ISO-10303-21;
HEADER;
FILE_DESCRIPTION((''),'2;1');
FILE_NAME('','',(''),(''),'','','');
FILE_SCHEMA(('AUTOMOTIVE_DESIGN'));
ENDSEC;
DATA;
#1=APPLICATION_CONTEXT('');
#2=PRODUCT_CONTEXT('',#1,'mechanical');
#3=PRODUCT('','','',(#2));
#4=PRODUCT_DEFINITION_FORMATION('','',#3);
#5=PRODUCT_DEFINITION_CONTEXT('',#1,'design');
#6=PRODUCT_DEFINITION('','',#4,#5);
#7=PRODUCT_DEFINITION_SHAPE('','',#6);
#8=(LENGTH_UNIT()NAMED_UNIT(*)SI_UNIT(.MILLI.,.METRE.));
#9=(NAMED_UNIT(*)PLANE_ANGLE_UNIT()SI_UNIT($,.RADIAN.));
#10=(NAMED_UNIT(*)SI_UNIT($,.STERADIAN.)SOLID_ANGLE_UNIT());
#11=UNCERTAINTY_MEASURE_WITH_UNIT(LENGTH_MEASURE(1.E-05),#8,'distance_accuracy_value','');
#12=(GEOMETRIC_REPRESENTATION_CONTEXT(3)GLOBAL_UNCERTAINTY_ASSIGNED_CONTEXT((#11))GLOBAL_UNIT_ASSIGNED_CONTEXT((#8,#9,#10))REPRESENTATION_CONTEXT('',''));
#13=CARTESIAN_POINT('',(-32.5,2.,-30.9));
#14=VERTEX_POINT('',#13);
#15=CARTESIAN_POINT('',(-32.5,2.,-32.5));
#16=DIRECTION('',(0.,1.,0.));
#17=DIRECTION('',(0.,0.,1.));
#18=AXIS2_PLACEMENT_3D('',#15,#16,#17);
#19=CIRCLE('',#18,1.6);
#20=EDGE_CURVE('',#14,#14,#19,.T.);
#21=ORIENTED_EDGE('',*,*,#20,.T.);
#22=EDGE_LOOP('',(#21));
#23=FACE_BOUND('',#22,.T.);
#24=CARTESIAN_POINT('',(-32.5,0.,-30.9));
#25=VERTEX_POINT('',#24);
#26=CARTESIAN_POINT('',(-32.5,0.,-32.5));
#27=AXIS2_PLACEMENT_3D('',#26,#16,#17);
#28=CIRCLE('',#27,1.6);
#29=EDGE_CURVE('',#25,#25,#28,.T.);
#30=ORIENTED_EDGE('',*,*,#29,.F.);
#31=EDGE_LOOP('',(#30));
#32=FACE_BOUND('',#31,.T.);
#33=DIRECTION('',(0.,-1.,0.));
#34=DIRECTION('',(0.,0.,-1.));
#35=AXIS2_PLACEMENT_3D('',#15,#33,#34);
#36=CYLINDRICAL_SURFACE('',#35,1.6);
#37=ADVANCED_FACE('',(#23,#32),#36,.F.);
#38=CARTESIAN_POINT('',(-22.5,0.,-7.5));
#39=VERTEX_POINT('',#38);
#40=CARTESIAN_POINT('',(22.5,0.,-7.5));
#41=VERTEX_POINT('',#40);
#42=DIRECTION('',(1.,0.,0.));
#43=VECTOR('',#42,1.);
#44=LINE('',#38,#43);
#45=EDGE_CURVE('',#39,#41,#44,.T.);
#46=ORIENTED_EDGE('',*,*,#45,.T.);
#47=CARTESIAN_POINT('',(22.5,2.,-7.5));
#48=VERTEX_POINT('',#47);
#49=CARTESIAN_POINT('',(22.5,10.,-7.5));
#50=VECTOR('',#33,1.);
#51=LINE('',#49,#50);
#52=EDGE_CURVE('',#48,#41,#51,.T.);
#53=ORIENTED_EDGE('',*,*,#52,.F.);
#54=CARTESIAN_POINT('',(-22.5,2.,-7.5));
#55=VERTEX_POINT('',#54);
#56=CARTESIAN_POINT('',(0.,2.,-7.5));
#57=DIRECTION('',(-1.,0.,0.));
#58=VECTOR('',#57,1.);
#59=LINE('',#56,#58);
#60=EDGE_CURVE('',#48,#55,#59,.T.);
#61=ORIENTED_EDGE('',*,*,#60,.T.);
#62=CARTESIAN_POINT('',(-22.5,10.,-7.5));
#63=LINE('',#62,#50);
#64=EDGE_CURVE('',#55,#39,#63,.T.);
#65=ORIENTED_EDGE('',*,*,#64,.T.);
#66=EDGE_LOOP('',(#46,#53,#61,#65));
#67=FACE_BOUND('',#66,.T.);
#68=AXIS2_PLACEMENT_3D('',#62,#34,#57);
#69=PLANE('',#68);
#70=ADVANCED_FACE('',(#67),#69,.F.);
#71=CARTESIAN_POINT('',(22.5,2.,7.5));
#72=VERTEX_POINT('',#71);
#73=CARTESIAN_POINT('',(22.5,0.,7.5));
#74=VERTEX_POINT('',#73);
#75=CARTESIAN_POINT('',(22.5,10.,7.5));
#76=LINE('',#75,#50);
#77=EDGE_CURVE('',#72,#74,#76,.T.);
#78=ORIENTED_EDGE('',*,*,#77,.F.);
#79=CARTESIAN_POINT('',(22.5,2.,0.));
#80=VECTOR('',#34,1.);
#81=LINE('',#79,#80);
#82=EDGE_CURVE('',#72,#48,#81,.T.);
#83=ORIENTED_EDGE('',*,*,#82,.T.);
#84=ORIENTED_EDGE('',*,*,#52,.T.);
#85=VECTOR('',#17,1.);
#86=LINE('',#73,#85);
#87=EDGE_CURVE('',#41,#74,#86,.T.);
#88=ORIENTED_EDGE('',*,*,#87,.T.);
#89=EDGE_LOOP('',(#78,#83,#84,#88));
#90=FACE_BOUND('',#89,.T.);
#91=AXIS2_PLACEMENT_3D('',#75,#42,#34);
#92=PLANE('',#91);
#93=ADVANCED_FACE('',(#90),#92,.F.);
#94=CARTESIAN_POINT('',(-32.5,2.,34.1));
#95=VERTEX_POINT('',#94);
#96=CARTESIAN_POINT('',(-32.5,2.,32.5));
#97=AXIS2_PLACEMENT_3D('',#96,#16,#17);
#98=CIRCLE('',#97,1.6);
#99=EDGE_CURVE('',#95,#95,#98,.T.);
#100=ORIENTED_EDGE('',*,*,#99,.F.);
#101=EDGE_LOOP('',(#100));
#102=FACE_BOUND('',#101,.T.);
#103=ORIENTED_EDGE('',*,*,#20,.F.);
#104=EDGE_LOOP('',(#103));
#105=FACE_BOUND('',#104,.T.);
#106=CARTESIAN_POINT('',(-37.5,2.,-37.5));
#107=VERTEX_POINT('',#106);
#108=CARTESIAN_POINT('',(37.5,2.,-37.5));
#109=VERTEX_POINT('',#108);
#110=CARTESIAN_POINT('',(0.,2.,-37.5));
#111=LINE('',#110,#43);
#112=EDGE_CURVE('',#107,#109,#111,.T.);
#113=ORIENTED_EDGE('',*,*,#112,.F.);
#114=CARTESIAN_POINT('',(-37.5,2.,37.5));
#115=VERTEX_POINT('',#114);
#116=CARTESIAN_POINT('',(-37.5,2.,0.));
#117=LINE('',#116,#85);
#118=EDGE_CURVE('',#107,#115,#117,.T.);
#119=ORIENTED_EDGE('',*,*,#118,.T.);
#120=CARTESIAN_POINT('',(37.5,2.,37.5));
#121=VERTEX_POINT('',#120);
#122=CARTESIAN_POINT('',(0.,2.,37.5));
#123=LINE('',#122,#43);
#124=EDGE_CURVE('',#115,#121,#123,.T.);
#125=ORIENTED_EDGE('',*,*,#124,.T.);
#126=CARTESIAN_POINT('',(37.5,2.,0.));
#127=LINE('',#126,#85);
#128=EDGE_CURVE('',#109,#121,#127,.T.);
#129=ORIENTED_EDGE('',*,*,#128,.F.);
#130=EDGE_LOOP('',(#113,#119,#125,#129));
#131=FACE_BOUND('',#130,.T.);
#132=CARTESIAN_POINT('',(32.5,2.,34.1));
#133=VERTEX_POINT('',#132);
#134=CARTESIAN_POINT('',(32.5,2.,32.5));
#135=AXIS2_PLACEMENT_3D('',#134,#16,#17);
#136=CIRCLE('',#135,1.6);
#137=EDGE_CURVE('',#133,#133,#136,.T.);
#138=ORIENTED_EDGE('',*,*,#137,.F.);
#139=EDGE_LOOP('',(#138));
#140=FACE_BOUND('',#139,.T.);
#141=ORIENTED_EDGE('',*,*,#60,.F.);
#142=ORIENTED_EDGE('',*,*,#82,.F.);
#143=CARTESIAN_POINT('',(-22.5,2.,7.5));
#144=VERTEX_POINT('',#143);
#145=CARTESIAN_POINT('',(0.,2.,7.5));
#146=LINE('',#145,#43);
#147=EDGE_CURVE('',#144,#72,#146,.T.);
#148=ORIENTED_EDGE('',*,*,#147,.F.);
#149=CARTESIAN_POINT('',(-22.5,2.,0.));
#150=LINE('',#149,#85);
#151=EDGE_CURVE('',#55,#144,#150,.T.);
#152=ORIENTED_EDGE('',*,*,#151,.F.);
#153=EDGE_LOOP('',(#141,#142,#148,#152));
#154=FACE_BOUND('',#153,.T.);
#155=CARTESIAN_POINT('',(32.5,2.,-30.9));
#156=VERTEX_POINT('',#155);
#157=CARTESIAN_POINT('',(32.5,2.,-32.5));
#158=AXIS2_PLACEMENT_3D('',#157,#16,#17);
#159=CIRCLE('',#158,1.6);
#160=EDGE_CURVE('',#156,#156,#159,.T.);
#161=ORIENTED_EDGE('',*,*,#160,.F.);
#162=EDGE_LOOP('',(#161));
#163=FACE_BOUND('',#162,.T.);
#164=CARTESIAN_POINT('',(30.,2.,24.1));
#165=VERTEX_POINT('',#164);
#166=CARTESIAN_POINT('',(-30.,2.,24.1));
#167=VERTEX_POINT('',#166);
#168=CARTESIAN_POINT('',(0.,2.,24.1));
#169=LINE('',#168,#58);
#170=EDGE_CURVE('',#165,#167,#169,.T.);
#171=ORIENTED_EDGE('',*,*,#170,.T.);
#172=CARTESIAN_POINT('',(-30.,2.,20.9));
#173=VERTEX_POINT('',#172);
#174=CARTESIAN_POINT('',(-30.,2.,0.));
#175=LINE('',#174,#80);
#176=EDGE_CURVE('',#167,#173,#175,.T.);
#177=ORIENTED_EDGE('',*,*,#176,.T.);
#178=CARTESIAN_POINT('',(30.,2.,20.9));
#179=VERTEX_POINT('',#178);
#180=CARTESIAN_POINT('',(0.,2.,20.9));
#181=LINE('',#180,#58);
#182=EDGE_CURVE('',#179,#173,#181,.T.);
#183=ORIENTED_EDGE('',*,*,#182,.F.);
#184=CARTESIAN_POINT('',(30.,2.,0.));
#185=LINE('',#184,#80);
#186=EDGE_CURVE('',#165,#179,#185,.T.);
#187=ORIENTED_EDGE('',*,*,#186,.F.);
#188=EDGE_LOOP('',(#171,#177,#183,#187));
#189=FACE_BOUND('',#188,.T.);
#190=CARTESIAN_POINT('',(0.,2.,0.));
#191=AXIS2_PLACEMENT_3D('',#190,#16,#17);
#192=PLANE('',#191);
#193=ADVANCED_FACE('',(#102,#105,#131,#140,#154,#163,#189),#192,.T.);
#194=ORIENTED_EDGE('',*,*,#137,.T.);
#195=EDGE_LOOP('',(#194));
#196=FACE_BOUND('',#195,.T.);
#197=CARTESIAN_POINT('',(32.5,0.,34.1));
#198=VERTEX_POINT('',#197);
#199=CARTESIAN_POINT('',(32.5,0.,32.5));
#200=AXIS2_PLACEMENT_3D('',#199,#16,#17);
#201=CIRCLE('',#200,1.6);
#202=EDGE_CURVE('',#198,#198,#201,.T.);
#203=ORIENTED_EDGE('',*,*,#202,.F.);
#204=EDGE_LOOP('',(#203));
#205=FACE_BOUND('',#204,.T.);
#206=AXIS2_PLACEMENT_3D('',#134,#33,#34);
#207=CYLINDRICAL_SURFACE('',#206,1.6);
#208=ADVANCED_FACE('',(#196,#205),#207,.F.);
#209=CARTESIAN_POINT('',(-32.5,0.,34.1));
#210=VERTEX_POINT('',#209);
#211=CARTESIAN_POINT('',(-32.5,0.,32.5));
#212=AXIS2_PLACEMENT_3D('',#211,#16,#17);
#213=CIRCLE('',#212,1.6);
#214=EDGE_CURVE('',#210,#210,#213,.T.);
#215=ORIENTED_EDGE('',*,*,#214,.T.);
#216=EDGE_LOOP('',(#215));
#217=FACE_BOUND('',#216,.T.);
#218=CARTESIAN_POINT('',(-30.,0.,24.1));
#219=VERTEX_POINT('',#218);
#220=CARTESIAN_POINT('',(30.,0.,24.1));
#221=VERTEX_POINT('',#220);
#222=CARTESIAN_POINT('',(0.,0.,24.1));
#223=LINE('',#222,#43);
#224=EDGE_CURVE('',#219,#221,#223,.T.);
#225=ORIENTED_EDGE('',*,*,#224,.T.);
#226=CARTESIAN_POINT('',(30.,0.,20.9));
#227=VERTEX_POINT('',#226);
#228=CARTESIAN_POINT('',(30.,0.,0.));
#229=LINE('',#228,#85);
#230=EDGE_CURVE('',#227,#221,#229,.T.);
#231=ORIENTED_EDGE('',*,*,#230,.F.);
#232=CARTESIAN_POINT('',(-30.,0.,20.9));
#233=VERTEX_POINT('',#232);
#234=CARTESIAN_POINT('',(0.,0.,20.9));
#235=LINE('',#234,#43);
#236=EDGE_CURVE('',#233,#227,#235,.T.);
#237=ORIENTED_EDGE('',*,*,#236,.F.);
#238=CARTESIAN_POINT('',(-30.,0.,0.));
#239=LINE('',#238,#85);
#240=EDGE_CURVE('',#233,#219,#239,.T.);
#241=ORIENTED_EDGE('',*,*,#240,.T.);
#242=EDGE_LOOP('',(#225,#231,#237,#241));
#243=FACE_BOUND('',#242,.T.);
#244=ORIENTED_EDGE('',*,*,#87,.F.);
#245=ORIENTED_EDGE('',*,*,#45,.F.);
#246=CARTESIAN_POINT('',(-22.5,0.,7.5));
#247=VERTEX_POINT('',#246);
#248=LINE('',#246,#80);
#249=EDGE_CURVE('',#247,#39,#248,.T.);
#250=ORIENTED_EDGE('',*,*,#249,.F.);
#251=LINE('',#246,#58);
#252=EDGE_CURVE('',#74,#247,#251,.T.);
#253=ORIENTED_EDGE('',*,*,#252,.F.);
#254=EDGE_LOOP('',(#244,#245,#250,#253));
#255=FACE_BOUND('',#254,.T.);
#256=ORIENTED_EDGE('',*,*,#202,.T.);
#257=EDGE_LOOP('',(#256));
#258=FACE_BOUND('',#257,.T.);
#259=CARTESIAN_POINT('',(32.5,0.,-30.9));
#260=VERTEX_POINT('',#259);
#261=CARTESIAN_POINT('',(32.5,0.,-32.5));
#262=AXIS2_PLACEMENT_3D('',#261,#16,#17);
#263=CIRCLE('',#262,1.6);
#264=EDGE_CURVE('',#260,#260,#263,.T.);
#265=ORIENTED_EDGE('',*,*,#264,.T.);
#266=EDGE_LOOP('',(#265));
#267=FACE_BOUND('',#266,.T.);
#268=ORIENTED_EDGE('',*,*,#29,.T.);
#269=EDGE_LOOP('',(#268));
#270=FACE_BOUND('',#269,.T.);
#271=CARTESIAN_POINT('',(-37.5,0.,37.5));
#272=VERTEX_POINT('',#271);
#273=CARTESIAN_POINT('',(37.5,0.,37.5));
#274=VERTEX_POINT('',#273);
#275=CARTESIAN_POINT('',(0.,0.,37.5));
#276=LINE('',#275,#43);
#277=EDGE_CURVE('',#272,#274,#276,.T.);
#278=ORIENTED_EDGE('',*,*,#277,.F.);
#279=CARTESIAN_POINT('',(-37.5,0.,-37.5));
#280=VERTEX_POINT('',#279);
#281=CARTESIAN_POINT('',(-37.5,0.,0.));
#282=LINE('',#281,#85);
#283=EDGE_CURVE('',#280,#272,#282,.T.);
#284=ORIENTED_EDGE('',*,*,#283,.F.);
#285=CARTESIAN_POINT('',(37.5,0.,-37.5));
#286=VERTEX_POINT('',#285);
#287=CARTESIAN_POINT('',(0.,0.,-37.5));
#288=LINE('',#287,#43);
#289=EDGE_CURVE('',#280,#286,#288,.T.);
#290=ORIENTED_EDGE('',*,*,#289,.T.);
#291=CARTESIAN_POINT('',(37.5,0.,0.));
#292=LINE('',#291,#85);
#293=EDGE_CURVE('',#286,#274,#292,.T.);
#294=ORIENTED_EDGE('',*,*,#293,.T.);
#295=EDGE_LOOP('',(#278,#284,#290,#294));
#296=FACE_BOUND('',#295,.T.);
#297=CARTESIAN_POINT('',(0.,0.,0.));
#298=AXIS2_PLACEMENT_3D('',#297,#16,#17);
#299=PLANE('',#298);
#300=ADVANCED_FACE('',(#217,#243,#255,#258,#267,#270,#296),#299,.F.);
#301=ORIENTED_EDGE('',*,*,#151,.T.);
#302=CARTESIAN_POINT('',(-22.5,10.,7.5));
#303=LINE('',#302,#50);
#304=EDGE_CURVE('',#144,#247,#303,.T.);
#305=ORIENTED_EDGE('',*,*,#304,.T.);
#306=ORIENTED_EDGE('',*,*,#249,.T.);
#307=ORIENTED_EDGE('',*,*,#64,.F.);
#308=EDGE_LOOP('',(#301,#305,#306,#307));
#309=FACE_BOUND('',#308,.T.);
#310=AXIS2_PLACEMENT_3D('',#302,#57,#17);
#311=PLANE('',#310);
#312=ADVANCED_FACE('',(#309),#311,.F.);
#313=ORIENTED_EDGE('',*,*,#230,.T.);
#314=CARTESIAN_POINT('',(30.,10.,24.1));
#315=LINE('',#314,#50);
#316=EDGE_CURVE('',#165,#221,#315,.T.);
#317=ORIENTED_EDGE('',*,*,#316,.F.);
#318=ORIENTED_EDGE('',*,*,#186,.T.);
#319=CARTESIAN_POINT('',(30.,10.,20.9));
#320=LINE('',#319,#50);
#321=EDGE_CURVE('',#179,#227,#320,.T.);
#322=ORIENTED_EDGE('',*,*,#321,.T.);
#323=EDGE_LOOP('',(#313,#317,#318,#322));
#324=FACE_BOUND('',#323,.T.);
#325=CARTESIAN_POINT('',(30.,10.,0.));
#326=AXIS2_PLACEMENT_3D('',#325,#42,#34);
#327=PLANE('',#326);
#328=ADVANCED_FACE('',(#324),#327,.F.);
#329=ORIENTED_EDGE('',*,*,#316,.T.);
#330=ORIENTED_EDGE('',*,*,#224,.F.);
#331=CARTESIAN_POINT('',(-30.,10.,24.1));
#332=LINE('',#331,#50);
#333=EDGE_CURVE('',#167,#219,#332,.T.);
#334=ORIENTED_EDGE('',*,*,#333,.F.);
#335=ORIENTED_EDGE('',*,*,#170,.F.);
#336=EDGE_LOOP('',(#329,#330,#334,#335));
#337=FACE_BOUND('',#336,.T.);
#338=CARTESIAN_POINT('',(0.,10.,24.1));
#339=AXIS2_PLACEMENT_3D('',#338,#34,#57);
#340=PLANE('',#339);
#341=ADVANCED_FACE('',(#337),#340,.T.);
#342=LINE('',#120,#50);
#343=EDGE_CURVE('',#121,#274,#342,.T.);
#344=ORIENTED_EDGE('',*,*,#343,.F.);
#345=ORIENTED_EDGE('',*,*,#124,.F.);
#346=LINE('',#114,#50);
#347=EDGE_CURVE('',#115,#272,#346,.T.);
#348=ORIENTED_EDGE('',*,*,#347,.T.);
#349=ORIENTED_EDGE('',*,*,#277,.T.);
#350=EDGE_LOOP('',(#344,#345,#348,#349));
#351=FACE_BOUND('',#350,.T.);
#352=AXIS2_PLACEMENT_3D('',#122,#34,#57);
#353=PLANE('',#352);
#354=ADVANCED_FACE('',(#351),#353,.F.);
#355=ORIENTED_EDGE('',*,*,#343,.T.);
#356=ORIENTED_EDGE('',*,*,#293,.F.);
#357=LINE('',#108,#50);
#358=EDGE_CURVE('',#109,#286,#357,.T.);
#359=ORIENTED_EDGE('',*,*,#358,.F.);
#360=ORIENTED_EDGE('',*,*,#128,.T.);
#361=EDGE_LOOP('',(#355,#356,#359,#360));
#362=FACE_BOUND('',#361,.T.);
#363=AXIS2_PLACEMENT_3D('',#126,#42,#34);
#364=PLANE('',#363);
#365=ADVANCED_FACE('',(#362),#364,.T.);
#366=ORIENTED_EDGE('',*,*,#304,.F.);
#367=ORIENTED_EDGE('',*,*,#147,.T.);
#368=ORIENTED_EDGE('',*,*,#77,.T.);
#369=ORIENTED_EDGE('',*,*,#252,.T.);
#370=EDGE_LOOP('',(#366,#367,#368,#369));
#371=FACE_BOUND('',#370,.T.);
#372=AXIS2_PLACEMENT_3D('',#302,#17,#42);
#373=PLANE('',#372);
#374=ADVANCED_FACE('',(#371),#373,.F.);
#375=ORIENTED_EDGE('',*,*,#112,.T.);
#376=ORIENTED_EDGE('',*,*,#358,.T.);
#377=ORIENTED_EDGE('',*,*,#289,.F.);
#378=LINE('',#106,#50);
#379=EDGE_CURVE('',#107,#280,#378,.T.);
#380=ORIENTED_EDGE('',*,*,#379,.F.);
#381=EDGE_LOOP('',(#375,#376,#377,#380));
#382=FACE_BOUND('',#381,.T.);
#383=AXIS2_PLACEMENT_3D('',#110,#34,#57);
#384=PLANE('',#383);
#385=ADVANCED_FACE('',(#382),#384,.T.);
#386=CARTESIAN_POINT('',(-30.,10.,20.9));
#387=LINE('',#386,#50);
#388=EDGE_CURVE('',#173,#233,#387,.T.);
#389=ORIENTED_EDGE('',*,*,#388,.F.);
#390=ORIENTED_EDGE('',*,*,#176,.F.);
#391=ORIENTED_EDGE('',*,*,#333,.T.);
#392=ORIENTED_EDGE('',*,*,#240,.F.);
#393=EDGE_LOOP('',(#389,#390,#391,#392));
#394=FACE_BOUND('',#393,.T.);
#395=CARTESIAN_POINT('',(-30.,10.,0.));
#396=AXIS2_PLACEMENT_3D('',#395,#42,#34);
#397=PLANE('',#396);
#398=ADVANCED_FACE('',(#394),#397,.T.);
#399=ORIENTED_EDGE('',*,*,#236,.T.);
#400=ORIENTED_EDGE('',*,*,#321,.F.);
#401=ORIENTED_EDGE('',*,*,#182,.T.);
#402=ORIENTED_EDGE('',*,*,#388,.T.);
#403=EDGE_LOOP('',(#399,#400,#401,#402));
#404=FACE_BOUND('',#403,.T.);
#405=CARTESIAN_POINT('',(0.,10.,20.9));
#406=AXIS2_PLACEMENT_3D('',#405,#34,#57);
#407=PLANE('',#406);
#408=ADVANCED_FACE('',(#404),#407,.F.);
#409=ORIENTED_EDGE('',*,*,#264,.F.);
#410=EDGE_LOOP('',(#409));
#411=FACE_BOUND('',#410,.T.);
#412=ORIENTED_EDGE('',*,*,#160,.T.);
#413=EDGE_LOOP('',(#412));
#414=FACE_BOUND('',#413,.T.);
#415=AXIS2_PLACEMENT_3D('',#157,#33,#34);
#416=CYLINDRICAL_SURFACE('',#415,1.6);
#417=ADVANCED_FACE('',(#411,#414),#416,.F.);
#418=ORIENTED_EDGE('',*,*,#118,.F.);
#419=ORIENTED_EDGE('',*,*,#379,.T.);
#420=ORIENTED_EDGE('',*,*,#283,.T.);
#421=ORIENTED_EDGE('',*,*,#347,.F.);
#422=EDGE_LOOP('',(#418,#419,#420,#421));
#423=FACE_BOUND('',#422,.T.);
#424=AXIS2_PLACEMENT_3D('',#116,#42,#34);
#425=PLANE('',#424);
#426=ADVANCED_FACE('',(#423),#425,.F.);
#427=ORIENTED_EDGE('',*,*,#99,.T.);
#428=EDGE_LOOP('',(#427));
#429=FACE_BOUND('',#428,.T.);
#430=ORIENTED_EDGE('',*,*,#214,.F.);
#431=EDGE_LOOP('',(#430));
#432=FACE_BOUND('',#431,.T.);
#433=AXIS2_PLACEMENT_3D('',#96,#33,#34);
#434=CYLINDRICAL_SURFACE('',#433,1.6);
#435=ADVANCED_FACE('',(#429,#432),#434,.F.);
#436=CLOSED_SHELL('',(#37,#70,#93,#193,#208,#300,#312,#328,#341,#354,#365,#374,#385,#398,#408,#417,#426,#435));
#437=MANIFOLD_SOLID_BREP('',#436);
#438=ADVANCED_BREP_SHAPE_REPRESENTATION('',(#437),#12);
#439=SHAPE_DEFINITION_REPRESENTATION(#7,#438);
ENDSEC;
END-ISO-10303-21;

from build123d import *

# Parameters (mm, degrees)
SKETCH1_W           = 75
SKETCH1_H           = 75
SKETCH1_R           = 1.6
BOSS_EXTRUDE1_DEPTH = 2
SKETCH2_W           = 45
SKETCH2_H           = 15
CUT_EXTRUDE1_DEPTH  = 10
SKETCH3_W           = 30
SKETCH3_H           = 3.2
CUT_EXTRUDE2_DEPTH  = 10


with BuildPart() as part:
    # Sketch1 → Boss-Extrude1 (new body)
    with BuildSketch(Plane(origin=(0, 0, 0), x_dir=(1, 0, 0), z_dir=(0, 1, 0))):
        Rectangle(SKETCH1_W, SKETCH1_H)
        with Locations(Location((-32.5, 32.5, 0), (0, 0, 270))):
            Circle(SKETCH1_R, mode=Mode.SUBTRACT)
        with Locations(Location((-32.5, -32.5, 0), (0, 0, 270))):
            Circle(SKETCH1_R, mode=Mode.SUBTRACT)
        with Locations(Location((32.5, 32.5, 0), (0, 0, 270))):
            Circle(SKETCH1_R, mode=Mode.SUBTRACT)
        with Locations(Location((32.5, -32.5, 0), (0, 0, 270))):
            Circle(SKETCH1_R, mode=Mode.SUBTRACT)
    extrude(amount=BOSS_EXTRUDE1_DEPTH)

    # Sketch2 → Cut-Extrude1 (cut)
    with BuildSketch(Plane.XZ):
        Rectangle(SKETCH2_W, SKETCH2_H)
    extrude(amount=-CUT_EXTRUDE1_DEPTH, mode=Mode.SUBTRACT)

    # Sketch3 → Cut-Extrude2 (cut)
    with BuildSketch(Plane.XZ):
        with Locations((-15, 22.5)):
            Rectangle(SKETCH3_W, SKETCH3_H)
        with Locations((15, 22.5)):
            Rectangle(SKETCH3_W, SKETCH3_H)
    extrude(amount=-CUT_EXTRUDE2_DEPTH, mode=Mode.SUBTRACT)


solid = part.part
